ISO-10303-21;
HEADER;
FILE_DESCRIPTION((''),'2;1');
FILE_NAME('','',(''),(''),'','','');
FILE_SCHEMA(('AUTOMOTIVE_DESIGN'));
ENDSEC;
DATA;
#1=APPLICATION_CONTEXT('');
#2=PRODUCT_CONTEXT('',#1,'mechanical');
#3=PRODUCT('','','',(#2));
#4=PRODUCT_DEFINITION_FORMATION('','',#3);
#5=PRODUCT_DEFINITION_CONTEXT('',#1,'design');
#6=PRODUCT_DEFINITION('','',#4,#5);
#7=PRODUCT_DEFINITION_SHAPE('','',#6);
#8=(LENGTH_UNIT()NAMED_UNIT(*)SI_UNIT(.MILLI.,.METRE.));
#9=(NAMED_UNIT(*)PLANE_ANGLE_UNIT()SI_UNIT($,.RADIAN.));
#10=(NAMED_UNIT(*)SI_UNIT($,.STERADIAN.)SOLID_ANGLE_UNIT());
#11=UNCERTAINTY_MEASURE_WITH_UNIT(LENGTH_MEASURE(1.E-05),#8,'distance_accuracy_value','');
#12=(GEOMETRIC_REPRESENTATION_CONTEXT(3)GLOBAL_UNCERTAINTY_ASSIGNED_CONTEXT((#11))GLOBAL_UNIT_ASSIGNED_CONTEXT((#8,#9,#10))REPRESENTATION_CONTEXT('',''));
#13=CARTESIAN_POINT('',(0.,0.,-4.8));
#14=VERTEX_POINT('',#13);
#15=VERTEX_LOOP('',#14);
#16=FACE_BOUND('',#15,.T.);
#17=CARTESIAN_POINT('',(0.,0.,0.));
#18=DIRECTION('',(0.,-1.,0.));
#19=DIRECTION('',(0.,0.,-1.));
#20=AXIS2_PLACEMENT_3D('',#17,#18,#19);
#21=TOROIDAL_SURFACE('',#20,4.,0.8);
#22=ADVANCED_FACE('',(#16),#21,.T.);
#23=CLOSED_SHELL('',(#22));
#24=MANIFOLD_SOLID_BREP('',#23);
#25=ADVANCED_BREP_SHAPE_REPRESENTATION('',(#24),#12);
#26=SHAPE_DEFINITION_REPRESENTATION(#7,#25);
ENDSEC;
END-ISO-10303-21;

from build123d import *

# Parameters (mm, degrees)
SKETCH1_R = 0.8


with BuildPart() as part:
    # Sketch1 → Revolve1 (revolve)
    with BuildSketch(Plane.XY):
        with Locations((4, 0)):
            Circle(SKETCH1_R)
    revolve(axis=Axis((0, 0, 0), (0, 1, 0)))


solid = part.part
